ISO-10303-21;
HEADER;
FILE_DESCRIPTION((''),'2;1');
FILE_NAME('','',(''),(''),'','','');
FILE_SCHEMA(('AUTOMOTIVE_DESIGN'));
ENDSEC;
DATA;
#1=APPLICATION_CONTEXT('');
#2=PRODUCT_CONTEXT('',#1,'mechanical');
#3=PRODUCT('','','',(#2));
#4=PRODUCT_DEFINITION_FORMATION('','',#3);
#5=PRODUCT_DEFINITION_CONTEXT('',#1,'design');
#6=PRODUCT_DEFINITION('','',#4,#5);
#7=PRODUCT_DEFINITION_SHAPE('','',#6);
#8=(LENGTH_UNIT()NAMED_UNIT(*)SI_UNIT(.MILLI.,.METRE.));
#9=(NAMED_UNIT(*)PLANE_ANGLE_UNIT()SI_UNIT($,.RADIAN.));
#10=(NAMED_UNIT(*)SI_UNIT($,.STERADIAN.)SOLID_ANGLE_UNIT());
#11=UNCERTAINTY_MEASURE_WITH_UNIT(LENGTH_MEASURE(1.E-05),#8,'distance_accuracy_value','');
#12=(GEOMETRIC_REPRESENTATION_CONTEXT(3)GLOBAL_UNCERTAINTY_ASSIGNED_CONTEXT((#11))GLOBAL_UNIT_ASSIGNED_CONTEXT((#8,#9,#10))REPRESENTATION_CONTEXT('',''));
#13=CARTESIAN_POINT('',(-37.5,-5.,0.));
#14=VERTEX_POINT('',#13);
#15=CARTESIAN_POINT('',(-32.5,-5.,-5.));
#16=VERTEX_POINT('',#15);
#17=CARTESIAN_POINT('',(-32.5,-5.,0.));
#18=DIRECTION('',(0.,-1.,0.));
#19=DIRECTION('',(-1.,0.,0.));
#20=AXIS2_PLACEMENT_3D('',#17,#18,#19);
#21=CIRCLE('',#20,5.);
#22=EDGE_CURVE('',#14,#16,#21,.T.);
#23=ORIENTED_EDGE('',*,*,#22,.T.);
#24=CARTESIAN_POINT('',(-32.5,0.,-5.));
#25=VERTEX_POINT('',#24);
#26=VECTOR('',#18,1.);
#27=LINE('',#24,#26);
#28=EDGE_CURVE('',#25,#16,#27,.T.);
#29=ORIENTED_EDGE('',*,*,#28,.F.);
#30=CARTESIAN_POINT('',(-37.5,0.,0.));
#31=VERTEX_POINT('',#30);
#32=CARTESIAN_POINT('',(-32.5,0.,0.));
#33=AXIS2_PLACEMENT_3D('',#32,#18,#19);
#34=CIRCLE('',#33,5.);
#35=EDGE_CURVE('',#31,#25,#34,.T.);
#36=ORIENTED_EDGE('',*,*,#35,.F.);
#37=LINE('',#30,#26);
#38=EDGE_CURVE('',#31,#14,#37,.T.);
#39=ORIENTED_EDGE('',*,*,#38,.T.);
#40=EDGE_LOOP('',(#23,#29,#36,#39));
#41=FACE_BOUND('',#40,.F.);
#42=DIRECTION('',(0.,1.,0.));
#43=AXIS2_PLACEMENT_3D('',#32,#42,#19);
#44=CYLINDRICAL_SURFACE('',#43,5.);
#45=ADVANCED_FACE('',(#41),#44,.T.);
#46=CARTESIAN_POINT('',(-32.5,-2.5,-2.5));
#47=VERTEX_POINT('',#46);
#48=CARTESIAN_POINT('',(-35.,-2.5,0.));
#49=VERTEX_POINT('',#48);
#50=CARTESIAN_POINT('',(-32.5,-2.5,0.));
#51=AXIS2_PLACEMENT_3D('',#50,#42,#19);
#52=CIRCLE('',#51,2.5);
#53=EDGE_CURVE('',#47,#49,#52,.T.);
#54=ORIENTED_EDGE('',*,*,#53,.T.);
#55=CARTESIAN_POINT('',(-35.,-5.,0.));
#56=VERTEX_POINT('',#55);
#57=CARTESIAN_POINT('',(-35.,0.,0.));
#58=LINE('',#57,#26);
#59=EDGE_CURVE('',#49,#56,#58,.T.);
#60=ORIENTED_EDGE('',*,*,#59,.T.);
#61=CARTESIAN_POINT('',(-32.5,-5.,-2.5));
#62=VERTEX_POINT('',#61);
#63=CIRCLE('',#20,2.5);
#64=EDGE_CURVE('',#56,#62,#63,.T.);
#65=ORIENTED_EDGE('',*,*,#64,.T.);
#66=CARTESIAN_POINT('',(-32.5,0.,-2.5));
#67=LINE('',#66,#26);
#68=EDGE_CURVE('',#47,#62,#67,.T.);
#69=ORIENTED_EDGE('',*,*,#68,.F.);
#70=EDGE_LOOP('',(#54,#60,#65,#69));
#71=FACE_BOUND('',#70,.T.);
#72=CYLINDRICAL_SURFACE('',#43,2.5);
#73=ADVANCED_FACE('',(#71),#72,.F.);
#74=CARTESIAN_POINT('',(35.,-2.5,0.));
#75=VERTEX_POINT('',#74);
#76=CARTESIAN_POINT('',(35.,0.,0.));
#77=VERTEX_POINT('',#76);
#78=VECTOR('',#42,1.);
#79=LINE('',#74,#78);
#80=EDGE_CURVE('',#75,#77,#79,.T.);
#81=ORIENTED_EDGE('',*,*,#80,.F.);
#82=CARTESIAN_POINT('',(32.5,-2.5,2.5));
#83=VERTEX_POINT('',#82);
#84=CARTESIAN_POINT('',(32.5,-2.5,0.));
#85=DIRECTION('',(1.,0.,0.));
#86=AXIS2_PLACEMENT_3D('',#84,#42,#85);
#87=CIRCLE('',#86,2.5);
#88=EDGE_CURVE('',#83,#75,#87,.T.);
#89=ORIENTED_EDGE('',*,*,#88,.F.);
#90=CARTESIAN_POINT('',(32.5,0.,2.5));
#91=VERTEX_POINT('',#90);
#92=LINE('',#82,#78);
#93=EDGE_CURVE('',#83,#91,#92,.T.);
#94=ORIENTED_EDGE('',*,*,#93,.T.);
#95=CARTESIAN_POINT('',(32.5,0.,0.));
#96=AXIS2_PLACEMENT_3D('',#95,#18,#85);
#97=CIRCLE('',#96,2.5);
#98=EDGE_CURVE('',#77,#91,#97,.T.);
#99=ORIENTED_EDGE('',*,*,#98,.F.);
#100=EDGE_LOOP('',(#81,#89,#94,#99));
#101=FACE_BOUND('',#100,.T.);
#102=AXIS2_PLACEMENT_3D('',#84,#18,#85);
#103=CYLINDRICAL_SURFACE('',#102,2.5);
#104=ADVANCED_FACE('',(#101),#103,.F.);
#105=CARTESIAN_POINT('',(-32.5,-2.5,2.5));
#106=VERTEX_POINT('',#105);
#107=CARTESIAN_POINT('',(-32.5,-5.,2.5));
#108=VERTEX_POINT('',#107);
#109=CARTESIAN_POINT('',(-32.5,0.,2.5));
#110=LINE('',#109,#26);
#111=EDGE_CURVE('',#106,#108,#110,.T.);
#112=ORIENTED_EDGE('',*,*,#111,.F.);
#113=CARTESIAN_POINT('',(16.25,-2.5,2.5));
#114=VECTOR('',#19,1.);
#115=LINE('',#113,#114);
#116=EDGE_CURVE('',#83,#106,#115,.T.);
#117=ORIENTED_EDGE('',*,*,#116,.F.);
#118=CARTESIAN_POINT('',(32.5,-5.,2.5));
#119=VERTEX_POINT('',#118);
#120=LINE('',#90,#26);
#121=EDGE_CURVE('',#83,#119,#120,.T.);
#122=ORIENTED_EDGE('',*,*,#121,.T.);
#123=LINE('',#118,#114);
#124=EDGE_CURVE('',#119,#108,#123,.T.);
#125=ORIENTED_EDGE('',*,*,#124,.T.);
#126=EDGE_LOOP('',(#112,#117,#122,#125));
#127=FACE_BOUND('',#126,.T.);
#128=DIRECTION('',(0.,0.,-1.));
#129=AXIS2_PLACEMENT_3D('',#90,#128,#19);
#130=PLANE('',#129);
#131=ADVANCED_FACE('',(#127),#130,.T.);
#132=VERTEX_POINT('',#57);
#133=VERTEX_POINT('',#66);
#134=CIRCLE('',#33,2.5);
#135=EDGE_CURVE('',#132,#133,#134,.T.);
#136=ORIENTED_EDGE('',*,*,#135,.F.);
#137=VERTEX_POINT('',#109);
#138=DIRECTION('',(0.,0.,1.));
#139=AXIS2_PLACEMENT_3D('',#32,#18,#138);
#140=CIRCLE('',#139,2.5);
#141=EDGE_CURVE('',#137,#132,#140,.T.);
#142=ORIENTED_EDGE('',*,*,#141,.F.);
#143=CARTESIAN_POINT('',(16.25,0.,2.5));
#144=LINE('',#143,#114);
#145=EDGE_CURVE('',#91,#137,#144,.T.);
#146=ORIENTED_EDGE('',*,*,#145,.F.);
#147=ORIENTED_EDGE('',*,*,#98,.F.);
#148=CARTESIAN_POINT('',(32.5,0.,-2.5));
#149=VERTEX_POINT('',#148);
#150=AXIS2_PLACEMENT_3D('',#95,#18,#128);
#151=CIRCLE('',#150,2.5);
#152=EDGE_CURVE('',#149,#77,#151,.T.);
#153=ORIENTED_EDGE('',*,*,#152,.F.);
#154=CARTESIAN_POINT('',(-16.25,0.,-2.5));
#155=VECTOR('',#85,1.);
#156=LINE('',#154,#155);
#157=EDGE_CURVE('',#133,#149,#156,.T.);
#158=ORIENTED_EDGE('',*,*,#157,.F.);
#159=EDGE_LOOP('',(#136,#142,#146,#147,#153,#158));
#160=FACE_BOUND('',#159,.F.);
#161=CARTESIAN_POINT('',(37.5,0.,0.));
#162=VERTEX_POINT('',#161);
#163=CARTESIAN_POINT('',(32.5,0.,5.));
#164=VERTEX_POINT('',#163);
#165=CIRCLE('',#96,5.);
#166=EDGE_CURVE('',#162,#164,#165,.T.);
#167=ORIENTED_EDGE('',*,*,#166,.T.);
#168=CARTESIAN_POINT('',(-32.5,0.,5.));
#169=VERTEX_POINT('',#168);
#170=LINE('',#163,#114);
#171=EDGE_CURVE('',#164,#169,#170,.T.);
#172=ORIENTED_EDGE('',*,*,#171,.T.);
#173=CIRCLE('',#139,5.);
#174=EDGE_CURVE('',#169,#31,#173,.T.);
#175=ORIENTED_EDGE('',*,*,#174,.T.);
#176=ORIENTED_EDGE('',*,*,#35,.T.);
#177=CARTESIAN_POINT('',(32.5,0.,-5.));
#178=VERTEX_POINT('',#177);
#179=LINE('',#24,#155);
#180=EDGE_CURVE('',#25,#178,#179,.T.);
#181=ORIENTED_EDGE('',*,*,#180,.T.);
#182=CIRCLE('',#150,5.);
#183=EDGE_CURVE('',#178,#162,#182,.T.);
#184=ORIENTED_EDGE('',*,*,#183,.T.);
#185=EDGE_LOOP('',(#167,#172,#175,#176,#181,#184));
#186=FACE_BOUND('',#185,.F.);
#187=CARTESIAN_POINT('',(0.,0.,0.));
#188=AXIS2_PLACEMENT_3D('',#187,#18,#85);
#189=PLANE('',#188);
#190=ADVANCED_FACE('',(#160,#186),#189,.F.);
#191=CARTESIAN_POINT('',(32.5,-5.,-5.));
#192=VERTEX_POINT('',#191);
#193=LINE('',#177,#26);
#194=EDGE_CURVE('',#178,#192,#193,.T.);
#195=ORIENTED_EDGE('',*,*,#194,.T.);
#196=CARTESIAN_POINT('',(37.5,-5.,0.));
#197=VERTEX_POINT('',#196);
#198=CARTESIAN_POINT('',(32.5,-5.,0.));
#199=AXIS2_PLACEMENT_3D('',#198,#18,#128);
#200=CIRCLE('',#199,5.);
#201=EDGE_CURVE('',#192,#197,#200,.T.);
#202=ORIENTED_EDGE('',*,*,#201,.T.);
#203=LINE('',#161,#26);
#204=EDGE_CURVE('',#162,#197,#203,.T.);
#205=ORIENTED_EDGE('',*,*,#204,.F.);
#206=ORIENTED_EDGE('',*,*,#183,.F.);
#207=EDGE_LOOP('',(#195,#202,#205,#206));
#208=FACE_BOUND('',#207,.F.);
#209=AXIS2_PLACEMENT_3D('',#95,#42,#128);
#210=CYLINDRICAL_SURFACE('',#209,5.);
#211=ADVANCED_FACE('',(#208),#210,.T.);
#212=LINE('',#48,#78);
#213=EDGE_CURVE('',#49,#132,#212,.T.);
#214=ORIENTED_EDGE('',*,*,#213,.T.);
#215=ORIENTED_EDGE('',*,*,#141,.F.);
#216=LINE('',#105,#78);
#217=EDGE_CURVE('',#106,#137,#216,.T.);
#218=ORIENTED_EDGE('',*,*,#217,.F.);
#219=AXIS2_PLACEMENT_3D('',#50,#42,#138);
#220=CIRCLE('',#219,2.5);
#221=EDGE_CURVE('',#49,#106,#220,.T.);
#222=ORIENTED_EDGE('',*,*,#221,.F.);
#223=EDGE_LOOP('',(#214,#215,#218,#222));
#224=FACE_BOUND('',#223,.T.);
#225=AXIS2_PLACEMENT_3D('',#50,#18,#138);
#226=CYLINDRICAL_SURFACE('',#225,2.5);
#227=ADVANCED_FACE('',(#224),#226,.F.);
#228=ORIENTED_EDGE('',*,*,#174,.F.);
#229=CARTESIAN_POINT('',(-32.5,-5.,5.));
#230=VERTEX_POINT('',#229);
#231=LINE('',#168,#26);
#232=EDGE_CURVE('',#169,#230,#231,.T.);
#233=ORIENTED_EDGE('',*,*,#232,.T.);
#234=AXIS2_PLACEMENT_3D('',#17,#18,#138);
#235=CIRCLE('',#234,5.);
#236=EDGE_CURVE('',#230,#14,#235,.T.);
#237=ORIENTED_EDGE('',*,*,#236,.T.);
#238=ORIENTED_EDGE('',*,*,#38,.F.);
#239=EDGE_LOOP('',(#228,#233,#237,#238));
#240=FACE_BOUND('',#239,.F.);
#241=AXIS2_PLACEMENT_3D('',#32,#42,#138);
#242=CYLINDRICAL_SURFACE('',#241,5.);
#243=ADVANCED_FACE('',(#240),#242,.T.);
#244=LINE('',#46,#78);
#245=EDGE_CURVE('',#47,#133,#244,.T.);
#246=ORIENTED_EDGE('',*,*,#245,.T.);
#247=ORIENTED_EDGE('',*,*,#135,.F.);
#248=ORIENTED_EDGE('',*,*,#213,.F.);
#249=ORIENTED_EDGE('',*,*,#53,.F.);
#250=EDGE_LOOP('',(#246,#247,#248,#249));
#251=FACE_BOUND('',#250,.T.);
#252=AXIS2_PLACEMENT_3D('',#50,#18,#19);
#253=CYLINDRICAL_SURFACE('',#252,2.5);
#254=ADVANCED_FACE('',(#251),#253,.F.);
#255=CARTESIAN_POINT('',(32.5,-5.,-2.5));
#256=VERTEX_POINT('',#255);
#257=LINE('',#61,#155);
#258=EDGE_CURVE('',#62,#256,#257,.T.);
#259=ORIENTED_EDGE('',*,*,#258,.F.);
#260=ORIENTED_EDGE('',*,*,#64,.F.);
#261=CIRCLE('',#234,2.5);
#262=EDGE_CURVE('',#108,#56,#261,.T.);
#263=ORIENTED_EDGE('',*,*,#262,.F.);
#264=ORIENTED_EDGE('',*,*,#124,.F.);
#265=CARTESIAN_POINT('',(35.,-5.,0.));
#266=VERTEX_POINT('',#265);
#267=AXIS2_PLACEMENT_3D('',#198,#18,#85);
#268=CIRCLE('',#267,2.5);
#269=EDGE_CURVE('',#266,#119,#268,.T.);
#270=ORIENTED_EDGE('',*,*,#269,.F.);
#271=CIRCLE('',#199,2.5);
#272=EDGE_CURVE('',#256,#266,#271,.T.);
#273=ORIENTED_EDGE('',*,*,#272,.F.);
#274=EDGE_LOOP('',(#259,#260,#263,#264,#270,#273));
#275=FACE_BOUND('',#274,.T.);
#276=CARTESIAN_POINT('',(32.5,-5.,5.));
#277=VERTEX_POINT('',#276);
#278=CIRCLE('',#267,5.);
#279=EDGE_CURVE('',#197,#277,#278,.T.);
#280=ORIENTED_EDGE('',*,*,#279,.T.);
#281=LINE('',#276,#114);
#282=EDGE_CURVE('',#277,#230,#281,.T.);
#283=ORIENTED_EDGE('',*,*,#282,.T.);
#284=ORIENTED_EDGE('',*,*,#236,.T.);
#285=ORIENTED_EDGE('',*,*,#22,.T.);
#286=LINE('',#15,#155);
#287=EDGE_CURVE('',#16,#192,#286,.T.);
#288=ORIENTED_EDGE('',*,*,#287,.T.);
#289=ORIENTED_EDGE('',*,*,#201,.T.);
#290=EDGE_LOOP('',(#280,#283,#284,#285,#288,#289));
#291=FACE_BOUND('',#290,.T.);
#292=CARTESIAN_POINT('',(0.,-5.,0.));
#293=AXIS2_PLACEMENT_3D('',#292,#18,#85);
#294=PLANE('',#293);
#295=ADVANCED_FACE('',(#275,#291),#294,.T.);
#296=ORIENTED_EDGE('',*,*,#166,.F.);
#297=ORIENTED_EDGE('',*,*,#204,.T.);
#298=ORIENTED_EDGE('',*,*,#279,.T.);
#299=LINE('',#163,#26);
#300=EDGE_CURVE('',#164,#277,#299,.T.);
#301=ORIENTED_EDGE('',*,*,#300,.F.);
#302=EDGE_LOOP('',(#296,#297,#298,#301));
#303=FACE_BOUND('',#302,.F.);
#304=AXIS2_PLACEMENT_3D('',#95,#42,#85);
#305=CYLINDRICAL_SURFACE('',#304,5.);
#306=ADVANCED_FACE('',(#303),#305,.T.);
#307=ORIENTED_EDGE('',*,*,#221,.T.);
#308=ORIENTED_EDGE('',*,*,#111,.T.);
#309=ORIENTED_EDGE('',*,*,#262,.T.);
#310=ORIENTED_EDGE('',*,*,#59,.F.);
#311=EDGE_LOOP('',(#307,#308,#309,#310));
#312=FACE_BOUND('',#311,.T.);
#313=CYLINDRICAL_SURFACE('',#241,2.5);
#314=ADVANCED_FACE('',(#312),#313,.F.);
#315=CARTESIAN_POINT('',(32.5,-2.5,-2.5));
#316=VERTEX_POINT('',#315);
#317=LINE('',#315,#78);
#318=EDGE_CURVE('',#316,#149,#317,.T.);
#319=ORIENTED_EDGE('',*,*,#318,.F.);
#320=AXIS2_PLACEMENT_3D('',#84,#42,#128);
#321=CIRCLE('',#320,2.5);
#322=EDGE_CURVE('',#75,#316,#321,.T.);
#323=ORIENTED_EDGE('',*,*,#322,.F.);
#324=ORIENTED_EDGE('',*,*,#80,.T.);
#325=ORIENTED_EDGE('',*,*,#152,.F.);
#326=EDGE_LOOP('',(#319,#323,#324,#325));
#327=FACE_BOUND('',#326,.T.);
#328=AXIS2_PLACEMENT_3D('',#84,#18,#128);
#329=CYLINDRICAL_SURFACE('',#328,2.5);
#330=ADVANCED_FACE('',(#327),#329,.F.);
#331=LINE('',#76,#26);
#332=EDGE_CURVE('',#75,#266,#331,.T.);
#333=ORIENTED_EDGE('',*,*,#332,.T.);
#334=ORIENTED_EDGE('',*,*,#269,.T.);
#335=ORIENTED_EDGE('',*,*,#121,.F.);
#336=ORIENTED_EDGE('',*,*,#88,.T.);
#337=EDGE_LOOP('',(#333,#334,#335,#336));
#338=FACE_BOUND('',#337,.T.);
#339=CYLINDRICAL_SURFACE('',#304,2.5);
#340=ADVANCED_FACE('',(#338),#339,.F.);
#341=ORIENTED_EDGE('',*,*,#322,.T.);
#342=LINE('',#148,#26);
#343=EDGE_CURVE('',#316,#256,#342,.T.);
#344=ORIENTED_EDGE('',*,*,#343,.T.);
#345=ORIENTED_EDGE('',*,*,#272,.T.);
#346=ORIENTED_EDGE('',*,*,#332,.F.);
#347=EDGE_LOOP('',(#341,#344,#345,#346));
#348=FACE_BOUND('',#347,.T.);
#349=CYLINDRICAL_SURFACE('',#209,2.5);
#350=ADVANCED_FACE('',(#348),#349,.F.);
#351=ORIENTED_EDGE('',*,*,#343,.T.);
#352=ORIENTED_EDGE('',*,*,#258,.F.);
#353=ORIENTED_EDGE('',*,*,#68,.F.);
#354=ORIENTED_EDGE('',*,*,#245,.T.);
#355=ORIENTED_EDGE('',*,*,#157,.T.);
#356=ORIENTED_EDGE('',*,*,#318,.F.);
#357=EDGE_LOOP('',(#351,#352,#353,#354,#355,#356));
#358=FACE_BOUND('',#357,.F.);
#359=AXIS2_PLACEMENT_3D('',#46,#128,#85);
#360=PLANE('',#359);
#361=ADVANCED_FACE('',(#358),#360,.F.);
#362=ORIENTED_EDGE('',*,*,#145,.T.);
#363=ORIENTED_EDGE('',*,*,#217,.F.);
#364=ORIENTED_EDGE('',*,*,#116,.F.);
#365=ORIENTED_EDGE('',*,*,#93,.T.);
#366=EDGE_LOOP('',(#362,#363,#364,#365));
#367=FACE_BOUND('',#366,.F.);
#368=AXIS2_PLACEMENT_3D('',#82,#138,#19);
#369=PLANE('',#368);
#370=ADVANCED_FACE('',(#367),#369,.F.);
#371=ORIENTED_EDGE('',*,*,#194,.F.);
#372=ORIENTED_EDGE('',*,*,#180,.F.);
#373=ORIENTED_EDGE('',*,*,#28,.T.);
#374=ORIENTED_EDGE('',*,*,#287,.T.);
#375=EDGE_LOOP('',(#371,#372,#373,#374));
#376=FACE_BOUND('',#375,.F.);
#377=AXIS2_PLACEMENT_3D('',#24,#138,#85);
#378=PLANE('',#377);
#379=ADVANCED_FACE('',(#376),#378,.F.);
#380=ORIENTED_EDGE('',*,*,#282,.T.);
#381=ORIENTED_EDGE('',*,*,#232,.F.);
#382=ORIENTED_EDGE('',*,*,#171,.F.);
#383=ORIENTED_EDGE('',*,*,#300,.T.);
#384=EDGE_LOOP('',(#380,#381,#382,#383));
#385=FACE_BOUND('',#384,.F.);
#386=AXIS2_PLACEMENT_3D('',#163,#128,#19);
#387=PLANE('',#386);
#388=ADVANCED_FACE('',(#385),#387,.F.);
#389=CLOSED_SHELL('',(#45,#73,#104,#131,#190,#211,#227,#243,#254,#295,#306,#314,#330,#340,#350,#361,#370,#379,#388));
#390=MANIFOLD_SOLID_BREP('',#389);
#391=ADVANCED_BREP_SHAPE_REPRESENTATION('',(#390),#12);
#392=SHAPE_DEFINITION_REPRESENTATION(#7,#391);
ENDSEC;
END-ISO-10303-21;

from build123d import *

# Parameters (mm, degrees)
F1_DEPTH = 5
F2_T     = -2.5
F3_DEPTH = 25


with BuildPart() as f1:
    # F0 (on Front) → F1 (new body)
    with BuildSketch(Plane.XZ):
        with BuildLine():
            Line((-32.5, -5), (32.5, -5))
            ThreePointArc((32.5, -5), (36.0355339059, -3.5355339059), (37.5, 0))
            ThreePointArc((37.5, 0), (36.0355339059, 3.5355339059), (32.5, 5))
            Line((32.5, 5), (-32.5, 5))
            ThreePointArc((-32.5, 5), (-36.0355339059, 3.5355339059), (-37.5, 0))
            ThreePointArc((-37.5, 0), (-36.0355339059, -3.5355339059), (-32.5, -5))
        make_face()
    extrude(amount=F1_DEPTH)

    # F2
    f2_openings = [f1.faces().sort_by_distance(p)[0] for p in [
        (0, -5, 0),
    ]]
    offset(amount=F2_T, openings=f2_openings)

    # F3 (cut): a face of the model
    f3_faces = [f1.faces().sort_by_distance(p)[0] for p in [
        (0, -2.5, 0),
    ]]
    extrude(f3_faces, amount=-F3_DEPTH, mode=Mode.SUBTRACT)


solid = f1.part
